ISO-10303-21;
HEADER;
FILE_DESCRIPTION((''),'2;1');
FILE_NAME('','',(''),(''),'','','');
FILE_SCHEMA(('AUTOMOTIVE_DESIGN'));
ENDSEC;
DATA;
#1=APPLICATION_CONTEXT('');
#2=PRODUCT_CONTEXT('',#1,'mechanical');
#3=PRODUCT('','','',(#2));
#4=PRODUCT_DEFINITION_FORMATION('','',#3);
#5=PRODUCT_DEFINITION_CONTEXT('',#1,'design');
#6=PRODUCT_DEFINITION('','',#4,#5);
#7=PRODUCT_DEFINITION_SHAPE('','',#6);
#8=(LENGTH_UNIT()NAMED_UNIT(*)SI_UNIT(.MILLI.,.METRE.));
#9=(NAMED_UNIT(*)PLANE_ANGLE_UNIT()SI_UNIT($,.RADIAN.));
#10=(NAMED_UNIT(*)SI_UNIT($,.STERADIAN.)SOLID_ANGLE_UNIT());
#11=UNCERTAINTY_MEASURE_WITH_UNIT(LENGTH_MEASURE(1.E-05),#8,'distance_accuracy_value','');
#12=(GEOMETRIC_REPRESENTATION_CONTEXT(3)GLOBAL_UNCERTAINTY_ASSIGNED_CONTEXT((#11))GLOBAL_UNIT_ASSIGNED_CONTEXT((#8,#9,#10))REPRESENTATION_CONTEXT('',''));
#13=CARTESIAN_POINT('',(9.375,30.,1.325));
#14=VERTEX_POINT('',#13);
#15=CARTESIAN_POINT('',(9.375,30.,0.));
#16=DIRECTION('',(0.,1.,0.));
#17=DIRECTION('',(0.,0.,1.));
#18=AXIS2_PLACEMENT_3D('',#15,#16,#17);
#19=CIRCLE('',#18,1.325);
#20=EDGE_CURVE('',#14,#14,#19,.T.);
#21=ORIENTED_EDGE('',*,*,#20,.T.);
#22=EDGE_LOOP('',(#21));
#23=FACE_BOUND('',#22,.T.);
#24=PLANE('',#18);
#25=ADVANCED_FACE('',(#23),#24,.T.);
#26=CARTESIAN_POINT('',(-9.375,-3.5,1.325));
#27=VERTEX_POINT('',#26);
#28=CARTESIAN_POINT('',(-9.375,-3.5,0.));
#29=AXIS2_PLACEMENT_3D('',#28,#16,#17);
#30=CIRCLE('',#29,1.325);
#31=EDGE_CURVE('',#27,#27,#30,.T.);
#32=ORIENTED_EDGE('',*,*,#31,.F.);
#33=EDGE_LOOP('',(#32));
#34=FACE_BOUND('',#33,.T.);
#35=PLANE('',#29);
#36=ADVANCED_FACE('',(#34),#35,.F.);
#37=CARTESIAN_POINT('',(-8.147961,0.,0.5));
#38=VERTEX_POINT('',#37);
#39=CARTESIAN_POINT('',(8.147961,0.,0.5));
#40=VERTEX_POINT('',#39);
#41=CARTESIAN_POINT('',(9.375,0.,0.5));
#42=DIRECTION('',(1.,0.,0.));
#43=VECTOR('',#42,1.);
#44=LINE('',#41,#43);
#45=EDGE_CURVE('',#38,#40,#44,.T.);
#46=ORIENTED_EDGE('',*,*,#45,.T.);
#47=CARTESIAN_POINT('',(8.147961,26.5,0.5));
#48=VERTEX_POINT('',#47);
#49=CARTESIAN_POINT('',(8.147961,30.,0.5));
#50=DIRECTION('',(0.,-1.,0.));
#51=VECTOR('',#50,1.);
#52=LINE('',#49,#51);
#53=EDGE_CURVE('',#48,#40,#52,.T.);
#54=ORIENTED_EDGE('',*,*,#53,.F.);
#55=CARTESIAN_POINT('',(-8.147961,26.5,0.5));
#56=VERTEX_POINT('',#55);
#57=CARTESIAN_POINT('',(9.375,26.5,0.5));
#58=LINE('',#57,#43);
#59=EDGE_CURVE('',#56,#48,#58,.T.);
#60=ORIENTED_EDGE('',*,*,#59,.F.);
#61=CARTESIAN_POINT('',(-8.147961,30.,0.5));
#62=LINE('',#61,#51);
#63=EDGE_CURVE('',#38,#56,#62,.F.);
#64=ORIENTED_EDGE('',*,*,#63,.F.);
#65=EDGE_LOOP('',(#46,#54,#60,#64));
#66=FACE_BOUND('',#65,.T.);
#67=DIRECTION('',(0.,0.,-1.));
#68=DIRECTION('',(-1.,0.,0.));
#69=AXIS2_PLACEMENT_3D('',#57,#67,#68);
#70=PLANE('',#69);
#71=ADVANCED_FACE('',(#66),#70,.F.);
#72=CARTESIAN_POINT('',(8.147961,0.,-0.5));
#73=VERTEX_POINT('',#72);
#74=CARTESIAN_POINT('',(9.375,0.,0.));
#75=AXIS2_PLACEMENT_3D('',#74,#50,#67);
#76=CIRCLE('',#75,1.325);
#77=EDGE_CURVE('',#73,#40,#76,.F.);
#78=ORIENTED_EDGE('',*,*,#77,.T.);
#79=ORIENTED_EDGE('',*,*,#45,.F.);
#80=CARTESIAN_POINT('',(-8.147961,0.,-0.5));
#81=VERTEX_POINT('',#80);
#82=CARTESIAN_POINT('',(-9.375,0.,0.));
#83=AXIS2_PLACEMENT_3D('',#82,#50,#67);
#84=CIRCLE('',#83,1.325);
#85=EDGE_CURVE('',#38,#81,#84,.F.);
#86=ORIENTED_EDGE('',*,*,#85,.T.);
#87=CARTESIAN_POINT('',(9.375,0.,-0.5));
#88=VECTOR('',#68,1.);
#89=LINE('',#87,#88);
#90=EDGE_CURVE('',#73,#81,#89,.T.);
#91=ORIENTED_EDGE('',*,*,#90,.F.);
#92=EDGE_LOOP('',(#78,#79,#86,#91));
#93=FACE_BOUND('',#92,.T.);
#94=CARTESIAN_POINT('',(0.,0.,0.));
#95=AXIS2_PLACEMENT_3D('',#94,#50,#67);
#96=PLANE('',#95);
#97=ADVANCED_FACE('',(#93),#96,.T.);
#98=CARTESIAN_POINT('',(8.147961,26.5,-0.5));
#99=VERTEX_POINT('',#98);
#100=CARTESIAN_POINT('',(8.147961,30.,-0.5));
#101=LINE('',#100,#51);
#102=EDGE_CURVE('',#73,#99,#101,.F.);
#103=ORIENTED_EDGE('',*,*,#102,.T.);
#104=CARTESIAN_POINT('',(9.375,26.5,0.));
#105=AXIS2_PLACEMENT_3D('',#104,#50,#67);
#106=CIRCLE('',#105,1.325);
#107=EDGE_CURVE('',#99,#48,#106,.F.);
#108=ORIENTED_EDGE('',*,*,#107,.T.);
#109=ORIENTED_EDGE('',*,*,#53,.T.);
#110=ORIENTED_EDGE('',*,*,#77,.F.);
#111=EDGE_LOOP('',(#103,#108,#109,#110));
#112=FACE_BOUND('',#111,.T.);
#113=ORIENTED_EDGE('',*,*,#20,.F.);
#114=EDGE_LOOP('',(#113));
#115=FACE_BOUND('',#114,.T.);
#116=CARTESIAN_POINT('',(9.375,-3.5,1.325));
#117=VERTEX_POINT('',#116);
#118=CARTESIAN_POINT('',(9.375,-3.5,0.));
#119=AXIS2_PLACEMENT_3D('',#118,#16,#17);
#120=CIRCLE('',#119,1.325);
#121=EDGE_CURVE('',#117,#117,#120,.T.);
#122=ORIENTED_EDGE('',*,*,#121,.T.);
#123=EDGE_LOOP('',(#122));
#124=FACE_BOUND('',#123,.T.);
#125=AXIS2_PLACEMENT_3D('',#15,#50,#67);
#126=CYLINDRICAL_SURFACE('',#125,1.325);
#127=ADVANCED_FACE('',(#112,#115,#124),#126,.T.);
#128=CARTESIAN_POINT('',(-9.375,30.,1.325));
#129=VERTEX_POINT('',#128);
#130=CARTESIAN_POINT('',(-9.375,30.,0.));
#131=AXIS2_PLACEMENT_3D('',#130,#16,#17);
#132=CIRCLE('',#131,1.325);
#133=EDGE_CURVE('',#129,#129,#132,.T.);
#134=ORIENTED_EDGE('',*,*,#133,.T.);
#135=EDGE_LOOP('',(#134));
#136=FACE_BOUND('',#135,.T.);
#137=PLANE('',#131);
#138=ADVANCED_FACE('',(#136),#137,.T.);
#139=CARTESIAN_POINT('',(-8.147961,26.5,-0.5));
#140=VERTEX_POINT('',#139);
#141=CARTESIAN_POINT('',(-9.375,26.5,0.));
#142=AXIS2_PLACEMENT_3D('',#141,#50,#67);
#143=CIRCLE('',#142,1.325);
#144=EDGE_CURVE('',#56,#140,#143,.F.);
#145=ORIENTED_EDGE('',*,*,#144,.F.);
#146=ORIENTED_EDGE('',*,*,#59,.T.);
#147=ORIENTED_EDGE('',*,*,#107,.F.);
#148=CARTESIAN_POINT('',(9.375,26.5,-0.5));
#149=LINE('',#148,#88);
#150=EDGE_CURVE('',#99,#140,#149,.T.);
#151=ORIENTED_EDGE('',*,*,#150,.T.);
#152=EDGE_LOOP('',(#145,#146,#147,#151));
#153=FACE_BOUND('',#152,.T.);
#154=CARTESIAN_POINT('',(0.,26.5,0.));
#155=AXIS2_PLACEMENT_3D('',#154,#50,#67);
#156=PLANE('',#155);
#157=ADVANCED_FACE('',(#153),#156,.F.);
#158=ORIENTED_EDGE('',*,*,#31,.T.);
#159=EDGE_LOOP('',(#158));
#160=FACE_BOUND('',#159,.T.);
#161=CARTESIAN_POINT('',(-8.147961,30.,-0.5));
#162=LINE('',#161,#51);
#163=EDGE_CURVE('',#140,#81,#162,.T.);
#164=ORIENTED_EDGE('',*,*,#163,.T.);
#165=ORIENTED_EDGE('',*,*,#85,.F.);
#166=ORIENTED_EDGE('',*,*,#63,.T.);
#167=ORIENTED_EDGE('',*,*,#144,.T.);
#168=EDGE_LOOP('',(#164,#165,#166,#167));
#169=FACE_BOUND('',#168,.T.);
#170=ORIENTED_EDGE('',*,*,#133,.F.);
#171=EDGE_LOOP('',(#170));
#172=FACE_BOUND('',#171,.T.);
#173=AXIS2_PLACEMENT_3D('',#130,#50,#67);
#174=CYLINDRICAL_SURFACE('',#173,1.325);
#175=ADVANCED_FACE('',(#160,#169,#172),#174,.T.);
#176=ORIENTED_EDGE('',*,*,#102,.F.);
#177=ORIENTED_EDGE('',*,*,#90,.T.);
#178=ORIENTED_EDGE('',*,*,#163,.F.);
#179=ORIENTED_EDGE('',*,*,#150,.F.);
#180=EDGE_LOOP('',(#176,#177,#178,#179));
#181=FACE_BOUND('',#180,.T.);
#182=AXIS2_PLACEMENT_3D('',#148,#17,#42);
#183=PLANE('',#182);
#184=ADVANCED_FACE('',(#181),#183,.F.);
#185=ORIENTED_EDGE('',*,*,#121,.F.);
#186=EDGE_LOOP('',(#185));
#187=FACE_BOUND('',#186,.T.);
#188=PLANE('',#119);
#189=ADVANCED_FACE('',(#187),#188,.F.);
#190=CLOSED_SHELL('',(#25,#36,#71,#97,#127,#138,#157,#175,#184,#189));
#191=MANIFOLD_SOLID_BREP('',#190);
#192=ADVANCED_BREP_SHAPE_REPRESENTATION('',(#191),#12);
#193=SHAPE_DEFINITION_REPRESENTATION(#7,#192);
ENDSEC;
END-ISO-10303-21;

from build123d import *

# Parameters (mm, degrees)
SKETCH1_W           = 18.75
SKETCH1_H           = 1
BOSS_EXTRUDE1_DEPTH = 26.5
SKETCH2_R           = 1.325
BOSS_EXTRUDE2_DEPTH = 16.75


with BuildPart() as part:
    # Sketch1 → Boss-Extrude1 (new body)
    with BuildSketch(Plane(origin=(0, 0, 0), x_dir=(1, 0, 0), z_dir=(0, 1, 0))):
        Rectangle(SKETCH1_W, SKETCH1_H)
    extrude(amount=BOSS_EXTRUDE1_DEPTH)

    # Sketch2 → Boss-Extrude2 (add, symmetric)
    with BuildSketch(Plane(origin=(0, 13.25, 0), x_dir=(1, 0, 0), z_dir=(0, 1, 0))):
        with Locations(Location((-9.375, 0, 0), (0, 0, 270))):
            Circle(SKETCH2_R)
        with Locations(Location((9.375, 0, 0), (0, 0, 270))):
            Circle(SKETCH2_R)
    extrude(amount=BOSS_EXTRUDE2_DEPTH, both=True)


solid = part.part
